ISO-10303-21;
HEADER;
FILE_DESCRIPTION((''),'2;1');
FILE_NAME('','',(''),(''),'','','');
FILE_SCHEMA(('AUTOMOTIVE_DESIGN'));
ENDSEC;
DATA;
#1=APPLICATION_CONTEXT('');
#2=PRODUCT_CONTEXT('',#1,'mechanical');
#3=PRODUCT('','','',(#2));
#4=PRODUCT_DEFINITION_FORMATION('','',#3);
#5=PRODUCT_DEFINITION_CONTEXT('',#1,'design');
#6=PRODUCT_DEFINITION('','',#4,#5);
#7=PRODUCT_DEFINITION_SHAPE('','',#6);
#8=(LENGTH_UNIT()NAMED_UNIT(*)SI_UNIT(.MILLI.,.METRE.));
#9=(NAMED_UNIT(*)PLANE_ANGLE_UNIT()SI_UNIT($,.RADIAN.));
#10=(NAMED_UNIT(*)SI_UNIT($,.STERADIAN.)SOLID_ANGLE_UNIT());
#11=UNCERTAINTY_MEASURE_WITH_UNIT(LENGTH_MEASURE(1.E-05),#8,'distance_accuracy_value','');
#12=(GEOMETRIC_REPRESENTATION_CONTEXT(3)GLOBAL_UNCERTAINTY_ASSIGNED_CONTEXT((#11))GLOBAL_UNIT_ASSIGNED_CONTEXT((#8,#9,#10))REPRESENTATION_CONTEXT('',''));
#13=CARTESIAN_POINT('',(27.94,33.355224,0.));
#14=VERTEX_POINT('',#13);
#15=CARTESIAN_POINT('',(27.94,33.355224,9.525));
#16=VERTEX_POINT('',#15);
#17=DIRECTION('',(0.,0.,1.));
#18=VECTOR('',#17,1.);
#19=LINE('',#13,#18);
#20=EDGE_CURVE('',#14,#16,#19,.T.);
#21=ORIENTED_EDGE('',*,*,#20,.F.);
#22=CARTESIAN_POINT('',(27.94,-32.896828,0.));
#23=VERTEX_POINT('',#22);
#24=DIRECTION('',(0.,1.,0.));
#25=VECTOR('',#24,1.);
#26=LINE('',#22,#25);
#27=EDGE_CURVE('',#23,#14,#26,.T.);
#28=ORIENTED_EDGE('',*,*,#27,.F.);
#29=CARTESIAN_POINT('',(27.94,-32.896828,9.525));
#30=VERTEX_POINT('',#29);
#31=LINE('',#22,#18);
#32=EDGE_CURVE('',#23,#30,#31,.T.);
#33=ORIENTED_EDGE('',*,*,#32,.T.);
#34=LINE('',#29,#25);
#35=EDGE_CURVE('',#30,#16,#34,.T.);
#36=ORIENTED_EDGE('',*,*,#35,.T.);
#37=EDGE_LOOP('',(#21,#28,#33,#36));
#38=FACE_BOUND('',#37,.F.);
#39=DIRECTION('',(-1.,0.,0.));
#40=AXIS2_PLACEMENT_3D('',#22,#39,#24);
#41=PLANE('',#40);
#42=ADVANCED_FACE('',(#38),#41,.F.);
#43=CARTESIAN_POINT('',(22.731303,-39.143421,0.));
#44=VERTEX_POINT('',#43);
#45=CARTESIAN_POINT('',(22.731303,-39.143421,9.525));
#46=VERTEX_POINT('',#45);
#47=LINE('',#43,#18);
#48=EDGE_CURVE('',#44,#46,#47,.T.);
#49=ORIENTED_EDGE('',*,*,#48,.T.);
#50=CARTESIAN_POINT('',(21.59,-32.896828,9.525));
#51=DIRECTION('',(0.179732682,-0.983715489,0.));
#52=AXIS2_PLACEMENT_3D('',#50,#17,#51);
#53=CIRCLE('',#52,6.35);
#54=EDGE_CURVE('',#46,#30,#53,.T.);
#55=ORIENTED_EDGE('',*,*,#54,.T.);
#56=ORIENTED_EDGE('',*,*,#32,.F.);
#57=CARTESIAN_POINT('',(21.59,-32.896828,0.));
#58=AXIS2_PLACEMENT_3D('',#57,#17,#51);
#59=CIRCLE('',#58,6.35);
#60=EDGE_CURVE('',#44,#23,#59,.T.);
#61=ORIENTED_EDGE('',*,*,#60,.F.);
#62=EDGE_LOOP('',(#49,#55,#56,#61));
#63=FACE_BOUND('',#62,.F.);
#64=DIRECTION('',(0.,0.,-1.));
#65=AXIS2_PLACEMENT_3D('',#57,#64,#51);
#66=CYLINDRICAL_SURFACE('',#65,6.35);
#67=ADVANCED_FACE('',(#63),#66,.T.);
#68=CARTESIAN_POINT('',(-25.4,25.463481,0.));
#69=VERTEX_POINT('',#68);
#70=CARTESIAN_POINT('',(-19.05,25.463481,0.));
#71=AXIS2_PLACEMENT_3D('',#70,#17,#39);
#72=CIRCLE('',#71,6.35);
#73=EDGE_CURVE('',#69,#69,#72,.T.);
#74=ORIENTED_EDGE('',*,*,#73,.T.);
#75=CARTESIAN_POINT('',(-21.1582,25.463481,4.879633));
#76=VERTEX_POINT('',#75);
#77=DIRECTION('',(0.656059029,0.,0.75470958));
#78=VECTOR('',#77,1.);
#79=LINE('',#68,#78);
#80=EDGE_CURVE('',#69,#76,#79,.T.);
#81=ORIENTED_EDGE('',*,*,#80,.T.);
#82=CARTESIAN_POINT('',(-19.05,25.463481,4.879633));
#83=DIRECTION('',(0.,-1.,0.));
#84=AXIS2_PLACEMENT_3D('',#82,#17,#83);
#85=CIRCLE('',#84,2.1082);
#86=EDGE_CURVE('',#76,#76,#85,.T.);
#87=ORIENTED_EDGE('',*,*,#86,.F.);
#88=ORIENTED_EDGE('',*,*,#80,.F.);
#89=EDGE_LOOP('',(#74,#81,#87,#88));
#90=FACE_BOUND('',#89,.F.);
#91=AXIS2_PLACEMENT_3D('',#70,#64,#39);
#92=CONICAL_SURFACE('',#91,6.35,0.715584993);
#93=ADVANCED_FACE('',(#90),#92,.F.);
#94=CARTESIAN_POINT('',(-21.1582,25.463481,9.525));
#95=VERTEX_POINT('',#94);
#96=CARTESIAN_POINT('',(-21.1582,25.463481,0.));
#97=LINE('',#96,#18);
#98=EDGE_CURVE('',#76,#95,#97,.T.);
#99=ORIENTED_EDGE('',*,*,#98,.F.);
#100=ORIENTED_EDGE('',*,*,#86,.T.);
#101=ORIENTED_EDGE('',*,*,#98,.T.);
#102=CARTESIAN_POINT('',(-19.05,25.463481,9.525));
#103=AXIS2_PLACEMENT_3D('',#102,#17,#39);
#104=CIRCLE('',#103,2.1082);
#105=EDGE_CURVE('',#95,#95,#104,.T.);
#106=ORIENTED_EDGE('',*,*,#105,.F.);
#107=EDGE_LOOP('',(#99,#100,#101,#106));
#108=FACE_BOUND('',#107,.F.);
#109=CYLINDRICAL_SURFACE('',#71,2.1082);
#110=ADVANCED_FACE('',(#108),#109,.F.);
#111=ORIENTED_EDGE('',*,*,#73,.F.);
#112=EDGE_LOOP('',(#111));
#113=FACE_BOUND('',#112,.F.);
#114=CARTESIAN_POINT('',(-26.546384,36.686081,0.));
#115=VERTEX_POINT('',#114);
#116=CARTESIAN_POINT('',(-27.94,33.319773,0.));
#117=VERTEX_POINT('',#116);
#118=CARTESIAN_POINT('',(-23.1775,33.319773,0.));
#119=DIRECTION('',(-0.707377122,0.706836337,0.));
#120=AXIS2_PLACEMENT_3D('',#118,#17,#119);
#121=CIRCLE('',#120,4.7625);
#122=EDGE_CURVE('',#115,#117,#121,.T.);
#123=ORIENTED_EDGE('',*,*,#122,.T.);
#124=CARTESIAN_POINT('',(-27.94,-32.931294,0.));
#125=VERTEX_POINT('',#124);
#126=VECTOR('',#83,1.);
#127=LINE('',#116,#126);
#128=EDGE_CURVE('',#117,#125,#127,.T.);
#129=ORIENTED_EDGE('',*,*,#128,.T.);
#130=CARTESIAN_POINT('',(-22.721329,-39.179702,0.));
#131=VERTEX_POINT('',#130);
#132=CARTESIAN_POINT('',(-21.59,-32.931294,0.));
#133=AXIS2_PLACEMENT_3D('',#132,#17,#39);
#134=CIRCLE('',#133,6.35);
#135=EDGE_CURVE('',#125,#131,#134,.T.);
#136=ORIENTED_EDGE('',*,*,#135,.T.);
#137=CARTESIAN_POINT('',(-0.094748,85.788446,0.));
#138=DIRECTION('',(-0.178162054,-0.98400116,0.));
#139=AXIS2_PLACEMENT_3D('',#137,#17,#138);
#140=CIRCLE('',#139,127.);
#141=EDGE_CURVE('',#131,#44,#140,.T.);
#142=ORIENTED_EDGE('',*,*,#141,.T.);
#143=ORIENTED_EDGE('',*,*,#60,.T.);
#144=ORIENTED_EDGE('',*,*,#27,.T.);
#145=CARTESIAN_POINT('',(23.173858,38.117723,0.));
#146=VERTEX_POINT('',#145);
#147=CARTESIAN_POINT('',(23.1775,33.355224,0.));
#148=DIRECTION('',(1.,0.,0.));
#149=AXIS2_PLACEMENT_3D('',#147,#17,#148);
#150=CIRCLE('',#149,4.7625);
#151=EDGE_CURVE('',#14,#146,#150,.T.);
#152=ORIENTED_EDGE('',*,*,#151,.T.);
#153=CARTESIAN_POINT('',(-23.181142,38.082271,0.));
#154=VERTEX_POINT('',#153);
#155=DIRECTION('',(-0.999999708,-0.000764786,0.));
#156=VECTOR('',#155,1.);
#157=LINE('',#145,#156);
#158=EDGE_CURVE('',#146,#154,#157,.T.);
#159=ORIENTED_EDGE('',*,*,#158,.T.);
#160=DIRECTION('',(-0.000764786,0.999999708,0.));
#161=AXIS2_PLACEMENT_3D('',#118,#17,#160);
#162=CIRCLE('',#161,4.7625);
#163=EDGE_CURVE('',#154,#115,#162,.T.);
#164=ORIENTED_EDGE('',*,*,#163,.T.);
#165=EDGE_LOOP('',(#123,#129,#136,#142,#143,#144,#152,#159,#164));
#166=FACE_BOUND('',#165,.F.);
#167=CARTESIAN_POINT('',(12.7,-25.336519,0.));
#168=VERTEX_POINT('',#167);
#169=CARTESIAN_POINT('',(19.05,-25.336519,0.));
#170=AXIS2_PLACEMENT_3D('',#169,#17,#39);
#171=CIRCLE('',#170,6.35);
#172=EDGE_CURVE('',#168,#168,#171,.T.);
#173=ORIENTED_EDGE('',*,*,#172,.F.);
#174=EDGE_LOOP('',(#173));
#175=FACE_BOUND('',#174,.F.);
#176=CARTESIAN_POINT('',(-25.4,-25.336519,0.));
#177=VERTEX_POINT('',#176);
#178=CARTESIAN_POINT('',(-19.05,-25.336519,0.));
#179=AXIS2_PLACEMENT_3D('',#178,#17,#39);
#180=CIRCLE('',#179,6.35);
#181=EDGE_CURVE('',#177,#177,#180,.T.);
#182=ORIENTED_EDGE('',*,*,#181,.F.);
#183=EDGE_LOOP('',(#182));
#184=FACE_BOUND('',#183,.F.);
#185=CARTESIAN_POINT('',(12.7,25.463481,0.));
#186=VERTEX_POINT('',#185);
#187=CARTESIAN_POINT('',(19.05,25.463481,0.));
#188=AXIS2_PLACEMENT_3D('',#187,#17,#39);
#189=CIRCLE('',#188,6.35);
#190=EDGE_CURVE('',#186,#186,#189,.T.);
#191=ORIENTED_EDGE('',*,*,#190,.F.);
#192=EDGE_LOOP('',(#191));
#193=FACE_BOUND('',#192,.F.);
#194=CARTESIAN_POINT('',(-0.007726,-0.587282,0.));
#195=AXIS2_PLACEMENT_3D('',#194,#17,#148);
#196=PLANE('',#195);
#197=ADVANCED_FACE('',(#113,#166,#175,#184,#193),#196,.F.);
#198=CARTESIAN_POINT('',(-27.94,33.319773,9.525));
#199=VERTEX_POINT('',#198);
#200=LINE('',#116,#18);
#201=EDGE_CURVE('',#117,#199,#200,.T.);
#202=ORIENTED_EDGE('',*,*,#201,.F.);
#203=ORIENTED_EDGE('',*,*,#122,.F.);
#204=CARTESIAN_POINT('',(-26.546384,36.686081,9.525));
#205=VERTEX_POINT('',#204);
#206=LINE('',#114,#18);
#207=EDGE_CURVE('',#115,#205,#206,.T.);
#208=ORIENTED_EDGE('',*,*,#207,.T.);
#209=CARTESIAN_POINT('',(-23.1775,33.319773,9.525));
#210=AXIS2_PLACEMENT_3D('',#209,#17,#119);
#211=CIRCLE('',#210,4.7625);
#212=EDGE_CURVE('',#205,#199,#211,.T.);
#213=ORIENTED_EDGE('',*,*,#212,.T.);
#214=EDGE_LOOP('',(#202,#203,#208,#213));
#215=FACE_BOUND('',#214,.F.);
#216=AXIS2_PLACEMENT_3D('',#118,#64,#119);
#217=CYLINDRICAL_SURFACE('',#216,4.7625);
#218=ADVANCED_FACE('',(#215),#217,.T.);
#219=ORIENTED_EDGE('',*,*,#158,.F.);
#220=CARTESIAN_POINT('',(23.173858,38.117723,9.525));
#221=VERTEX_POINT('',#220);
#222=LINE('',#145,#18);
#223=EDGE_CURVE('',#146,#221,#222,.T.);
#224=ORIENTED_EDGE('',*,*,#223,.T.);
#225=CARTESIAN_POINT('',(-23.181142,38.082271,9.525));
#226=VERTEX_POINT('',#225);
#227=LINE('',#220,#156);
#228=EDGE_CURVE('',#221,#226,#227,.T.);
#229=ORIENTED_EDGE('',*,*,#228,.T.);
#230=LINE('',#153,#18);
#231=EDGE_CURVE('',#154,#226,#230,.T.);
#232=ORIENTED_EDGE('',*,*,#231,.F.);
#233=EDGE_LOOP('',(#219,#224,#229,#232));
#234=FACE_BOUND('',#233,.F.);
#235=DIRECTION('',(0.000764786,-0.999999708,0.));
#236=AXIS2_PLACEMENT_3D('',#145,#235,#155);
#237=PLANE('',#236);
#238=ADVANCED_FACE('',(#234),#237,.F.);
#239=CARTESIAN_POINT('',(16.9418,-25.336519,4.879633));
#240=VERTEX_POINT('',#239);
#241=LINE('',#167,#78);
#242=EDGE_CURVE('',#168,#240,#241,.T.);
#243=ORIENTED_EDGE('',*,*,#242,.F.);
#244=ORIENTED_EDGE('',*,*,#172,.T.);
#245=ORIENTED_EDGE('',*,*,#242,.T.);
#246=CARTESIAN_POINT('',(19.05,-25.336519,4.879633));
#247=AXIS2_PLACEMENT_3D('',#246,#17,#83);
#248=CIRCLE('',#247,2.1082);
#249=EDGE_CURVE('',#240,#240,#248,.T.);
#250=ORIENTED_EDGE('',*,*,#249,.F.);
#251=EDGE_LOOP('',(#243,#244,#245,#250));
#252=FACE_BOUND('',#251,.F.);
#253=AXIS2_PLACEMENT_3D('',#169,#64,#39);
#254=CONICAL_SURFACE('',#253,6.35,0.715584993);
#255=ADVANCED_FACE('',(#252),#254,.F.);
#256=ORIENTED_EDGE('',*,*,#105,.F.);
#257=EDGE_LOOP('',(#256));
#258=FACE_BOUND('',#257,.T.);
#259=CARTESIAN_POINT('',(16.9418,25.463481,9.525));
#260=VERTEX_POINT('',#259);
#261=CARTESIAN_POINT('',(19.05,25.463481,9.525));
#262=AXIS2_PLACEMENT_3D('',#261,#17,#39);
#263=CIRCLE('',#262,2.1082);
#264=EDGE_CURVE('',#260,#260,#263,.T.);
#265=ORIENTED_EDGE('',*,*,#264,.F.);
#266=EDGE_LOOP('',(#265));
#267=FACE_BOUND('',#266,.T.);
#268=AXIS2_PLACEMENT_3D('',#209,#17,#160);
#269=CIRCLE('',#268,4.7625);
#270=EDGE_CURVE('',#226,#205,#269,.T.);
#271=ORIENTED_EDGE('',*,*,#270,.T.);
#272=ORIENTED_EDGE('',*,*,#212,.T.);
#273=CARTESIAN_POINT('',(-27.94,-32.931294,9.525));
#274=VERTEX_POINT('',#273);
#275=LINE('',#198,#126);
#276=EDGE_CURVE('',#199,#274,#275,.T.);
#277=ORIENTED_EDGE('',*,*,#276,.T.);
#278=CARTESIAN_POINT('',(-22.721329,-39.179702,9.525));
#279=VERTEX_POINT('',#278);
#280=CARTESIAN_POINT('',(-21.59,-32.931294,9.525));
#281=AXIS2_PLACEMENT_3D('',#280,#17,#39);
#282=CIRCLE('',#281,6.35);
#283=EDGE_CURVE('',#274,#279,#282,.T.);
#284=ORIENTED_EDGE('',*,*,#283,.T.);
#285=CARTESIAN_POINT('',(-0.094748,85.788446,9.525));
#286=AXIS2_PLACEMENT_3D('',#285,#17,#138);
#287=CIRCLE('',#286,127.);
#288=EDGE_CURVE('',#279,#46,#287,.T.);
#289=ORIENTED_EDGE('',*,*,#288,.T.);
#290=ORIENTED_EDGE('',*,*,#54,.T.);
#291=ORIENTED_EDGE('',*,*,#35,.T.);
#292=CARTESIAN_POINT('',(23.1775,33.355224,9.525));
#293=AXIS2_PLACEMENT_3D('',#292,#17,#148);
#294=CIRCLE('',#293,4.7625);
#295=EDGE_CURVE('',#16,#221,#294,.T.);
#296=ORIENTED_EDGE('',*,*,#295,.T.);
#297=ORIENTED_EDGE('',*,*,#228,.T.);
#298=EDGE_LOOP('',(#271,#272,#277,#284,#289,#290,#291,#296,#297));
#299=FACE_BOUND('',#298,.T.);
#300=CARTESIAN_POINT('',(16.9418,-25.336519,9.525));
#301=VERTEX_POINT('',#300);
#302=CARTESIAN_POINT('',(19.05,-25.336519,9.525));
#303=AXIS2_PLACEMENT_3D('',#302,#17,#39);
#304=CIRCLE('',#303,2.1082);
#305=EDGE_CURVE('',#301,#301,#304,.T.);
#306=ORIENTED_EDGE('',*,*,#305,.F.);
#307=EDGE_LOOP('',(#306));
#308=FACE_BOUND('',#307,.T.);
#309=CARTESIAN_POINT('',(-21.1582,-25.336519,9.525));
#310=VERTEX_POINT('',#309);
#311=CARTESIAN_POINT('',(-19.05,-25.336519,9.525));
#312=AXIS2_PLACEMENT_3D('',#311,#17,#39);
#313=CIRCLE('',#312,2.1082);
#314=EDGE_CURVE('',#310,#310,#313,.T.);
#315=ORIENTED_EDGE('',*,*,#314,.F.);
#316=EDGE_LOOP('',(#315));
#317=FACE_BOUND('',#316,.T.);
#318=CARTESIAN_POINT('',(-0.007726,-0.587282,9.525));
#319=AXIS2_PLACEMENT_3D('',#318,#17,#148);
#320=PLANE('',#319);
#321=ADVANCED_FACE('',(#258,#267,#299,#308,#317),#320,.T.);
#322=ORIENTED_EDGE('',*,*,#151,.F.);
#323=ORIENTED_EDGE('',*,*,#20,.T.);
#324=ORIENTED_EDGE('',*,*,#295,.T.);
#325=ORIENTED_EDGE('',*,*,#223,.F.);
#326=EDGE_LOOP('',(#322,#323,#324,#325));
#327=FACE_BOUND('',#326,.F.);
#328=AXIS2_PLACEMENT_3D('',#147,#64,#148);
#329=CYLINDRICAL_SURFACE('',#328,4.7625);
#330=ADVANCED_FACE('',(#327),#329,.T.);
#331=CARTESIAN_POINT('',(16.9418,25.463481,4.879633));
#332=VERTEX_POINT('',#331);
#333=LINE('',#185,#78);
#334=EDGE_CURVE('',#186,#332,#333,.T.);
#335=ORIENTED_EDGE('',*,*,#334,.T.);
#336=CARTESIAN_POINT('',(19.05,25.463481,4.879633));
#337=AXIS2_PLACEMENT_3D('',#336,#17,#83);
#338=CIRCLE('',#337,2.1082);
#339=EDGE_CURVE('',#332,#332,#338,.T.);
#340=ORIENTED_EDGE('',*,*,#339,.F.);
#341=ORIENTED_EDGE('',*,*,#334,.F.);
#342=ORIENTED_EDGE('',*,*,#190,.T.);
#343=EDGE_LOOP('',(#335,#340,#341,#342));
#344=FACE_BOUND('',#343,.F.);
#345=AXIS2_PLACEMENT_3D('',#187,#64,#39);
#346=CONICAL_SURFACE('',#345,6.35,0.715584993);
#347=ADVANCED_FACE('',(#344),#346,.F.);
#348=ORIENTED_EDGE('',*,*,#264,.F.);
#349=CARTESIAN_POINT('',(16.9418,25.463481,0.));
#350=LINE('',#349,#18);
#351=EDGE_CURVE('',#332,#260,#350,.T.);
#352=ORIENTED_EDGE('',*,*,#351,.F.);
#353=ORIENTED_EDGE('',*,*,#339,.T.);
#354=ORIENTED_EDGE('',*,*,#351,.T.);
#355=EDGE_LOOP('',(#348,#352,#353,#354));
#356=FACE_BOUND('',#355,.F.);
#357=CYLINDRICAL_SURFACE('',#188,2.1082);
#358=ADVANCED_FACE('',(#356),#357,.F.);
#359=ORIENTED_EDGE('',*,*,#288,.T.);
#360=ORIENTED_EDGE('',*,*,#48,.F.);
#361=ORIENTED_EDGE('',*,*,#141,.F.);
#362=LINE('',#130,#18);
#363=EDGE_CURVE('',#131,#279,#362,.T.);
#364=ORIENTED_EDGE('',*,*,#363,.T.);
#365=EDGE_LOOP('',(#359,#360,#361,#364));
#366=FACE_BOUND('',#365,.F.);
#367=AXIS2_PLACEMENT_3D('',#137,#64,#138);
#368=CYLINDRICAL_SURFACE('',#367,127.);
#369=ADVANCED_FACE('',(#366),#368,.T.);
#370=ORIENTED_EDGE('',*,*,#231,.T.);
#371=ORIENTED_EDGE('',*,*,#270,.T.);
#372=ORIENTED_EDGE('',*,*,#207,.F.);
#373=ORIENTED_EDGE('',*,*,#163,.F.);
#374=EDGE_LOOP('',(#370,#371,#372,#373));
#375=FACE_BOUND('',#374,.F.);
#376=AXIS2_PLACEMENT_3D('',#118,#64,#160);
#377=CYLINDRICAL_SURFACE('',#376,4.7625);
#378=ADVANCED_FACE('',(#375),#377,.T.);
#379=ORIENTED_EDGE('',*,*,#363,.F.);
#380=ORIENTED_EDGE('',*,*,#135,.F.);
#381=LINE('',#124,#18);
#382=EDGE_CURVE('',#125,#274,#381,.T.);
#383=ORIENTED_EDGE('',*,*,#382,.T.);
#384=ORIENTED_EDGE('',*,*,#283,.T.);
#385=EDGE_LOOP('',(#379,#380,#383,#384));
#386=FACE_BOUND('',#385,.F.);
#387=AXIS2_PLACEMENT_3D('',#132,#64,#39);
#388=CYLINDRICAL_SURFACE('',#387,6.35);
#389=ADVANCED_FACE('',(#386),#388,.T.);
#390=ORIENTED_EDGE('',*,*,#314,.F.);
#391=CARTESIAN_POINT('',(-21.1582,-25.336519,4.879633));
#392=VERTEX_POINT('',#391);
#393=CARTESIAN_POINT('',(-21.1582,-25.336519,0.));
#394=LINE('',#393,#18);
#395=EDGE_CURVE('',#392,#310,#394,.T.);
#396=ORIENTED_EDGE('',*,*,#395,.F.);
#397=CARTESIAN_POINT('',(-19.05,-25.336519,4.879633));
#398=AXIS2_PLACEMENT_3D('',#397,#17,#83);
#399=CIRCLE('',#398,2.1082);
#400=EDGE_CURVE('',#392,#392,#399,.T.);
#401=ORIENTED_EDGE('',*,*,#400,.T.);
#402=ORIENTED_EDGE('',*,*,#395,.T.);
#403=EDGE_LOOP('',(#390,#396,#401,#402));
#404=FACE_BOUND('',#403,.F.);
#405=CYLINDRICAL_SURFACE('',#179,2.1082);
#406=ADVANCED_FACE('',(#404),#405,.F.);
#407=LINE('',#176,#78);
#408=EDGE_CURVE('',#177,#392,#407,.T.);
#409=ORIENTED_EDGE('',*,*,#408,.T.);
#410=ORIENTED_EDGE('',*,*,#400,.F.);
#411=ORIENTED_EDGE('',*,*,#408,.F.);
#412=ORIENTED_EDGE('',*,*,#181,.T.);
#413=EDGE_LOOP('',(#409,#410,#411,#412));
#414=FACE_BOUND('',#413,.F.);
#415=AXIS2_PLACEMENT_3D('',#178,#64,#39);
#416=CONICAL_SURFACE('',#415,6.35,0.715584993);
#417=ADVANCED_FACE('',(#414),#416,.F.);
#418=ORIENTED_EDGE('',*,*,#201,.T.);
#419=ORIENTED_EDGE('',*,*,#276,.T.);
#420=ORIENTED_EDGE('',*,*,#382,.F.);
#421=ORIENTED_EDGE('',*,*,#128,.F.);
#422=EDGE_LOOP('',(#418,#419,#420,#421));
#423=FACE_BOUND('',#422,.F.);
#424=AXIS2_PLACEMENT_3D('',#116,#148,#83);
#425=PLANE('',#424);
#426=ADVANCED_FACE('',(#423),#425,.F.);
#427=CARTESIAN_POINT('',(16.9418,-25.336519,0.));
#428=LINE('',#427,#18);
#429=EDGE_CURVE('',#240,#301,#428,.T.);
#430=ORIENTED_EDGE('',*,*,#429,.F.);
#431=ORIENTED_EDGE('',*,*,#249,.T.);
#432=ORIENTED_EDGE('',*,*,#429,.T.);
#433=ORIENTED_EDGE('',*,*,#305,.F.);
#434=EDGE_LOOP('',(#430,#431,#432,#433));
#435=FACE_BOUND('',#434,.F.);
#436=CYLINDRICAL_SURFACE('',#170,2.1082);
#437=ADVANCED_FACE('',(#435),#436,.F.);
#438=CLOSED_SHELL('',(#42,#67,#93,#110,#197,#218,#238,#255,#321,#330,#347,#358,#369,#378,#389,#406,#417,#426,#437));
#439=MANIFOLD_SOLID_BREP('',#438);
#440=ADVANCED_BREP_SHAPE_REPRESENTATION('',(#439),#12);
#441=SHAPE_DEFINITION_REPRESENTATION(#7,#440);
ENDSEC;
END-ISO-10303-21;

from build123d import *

# Parameters (mm, degrees)
F1_DEPTH       = 9.525
F2_D           = 4.2164
F2_CSINK_D     = 12.7
F2_CSINK_ANGLE = 82


with BuildPart() as f1:
    # F0 (on Top) → F1 (new body)
    with BuildSketch(Plane.XY):
        with BuildLine():
            ThreePointArc((27.94, 33.3552244306), (26.5438080546, 36.7241079744), (23.1738577086, 38.1177230378))
            Line((23.1738577086, 38.1177230378), (-23.1811422914, 38.082271391))
            ThreePointArc((-23.1811422914, 38.082271391), (-25.0025533258, 37.7187029501), (-26.5463835438, 36.6860808384))
            ThreePointArc((-26.5463835438, 36.6860808384), (-27.5778246543, 35.1414613375), (-27.94, 33.3197727838))
            Line((-27.94, 33.3197727838), (-27.94, -32.9312942685))
            ThreePointArc((-27.94, -32.9312942685), (-26.4637274976, -37.0018323507), (-22.721329046, -39.1797016327))
            ThreePointArc((-22.721329046, -39.1797016327), (0.0066230118, -41.2115138904), (22.731302533, -39.1434214242))
            ThreePointArc((22.731302533, -39.1434214242), (26.4669750401, -36.9634746567), (27.94, -32.8968280704))
            Line((27.94, -32.8968280704), (27.94, 33.3552244306))
        make_face()
    extrude(amount=F1_DEPTH)

    # F2 (through all)
    with Locations(Plane(origin=(0, 0, 0), x_dir=(1, 0, 0), z_dir=(0, 0, -1))):
        with Locations((-19.05, -25.4634809959), (19.05, -25.4634809959), (-19.05, 25.3365190041), (19.05, 25.3365190041)):
            CounterSinkHole(F2_D / 2, F2_CSINK_D / 2, counter_sink_angle=F2_CSINK_ANGLE)


solid = f1.part
